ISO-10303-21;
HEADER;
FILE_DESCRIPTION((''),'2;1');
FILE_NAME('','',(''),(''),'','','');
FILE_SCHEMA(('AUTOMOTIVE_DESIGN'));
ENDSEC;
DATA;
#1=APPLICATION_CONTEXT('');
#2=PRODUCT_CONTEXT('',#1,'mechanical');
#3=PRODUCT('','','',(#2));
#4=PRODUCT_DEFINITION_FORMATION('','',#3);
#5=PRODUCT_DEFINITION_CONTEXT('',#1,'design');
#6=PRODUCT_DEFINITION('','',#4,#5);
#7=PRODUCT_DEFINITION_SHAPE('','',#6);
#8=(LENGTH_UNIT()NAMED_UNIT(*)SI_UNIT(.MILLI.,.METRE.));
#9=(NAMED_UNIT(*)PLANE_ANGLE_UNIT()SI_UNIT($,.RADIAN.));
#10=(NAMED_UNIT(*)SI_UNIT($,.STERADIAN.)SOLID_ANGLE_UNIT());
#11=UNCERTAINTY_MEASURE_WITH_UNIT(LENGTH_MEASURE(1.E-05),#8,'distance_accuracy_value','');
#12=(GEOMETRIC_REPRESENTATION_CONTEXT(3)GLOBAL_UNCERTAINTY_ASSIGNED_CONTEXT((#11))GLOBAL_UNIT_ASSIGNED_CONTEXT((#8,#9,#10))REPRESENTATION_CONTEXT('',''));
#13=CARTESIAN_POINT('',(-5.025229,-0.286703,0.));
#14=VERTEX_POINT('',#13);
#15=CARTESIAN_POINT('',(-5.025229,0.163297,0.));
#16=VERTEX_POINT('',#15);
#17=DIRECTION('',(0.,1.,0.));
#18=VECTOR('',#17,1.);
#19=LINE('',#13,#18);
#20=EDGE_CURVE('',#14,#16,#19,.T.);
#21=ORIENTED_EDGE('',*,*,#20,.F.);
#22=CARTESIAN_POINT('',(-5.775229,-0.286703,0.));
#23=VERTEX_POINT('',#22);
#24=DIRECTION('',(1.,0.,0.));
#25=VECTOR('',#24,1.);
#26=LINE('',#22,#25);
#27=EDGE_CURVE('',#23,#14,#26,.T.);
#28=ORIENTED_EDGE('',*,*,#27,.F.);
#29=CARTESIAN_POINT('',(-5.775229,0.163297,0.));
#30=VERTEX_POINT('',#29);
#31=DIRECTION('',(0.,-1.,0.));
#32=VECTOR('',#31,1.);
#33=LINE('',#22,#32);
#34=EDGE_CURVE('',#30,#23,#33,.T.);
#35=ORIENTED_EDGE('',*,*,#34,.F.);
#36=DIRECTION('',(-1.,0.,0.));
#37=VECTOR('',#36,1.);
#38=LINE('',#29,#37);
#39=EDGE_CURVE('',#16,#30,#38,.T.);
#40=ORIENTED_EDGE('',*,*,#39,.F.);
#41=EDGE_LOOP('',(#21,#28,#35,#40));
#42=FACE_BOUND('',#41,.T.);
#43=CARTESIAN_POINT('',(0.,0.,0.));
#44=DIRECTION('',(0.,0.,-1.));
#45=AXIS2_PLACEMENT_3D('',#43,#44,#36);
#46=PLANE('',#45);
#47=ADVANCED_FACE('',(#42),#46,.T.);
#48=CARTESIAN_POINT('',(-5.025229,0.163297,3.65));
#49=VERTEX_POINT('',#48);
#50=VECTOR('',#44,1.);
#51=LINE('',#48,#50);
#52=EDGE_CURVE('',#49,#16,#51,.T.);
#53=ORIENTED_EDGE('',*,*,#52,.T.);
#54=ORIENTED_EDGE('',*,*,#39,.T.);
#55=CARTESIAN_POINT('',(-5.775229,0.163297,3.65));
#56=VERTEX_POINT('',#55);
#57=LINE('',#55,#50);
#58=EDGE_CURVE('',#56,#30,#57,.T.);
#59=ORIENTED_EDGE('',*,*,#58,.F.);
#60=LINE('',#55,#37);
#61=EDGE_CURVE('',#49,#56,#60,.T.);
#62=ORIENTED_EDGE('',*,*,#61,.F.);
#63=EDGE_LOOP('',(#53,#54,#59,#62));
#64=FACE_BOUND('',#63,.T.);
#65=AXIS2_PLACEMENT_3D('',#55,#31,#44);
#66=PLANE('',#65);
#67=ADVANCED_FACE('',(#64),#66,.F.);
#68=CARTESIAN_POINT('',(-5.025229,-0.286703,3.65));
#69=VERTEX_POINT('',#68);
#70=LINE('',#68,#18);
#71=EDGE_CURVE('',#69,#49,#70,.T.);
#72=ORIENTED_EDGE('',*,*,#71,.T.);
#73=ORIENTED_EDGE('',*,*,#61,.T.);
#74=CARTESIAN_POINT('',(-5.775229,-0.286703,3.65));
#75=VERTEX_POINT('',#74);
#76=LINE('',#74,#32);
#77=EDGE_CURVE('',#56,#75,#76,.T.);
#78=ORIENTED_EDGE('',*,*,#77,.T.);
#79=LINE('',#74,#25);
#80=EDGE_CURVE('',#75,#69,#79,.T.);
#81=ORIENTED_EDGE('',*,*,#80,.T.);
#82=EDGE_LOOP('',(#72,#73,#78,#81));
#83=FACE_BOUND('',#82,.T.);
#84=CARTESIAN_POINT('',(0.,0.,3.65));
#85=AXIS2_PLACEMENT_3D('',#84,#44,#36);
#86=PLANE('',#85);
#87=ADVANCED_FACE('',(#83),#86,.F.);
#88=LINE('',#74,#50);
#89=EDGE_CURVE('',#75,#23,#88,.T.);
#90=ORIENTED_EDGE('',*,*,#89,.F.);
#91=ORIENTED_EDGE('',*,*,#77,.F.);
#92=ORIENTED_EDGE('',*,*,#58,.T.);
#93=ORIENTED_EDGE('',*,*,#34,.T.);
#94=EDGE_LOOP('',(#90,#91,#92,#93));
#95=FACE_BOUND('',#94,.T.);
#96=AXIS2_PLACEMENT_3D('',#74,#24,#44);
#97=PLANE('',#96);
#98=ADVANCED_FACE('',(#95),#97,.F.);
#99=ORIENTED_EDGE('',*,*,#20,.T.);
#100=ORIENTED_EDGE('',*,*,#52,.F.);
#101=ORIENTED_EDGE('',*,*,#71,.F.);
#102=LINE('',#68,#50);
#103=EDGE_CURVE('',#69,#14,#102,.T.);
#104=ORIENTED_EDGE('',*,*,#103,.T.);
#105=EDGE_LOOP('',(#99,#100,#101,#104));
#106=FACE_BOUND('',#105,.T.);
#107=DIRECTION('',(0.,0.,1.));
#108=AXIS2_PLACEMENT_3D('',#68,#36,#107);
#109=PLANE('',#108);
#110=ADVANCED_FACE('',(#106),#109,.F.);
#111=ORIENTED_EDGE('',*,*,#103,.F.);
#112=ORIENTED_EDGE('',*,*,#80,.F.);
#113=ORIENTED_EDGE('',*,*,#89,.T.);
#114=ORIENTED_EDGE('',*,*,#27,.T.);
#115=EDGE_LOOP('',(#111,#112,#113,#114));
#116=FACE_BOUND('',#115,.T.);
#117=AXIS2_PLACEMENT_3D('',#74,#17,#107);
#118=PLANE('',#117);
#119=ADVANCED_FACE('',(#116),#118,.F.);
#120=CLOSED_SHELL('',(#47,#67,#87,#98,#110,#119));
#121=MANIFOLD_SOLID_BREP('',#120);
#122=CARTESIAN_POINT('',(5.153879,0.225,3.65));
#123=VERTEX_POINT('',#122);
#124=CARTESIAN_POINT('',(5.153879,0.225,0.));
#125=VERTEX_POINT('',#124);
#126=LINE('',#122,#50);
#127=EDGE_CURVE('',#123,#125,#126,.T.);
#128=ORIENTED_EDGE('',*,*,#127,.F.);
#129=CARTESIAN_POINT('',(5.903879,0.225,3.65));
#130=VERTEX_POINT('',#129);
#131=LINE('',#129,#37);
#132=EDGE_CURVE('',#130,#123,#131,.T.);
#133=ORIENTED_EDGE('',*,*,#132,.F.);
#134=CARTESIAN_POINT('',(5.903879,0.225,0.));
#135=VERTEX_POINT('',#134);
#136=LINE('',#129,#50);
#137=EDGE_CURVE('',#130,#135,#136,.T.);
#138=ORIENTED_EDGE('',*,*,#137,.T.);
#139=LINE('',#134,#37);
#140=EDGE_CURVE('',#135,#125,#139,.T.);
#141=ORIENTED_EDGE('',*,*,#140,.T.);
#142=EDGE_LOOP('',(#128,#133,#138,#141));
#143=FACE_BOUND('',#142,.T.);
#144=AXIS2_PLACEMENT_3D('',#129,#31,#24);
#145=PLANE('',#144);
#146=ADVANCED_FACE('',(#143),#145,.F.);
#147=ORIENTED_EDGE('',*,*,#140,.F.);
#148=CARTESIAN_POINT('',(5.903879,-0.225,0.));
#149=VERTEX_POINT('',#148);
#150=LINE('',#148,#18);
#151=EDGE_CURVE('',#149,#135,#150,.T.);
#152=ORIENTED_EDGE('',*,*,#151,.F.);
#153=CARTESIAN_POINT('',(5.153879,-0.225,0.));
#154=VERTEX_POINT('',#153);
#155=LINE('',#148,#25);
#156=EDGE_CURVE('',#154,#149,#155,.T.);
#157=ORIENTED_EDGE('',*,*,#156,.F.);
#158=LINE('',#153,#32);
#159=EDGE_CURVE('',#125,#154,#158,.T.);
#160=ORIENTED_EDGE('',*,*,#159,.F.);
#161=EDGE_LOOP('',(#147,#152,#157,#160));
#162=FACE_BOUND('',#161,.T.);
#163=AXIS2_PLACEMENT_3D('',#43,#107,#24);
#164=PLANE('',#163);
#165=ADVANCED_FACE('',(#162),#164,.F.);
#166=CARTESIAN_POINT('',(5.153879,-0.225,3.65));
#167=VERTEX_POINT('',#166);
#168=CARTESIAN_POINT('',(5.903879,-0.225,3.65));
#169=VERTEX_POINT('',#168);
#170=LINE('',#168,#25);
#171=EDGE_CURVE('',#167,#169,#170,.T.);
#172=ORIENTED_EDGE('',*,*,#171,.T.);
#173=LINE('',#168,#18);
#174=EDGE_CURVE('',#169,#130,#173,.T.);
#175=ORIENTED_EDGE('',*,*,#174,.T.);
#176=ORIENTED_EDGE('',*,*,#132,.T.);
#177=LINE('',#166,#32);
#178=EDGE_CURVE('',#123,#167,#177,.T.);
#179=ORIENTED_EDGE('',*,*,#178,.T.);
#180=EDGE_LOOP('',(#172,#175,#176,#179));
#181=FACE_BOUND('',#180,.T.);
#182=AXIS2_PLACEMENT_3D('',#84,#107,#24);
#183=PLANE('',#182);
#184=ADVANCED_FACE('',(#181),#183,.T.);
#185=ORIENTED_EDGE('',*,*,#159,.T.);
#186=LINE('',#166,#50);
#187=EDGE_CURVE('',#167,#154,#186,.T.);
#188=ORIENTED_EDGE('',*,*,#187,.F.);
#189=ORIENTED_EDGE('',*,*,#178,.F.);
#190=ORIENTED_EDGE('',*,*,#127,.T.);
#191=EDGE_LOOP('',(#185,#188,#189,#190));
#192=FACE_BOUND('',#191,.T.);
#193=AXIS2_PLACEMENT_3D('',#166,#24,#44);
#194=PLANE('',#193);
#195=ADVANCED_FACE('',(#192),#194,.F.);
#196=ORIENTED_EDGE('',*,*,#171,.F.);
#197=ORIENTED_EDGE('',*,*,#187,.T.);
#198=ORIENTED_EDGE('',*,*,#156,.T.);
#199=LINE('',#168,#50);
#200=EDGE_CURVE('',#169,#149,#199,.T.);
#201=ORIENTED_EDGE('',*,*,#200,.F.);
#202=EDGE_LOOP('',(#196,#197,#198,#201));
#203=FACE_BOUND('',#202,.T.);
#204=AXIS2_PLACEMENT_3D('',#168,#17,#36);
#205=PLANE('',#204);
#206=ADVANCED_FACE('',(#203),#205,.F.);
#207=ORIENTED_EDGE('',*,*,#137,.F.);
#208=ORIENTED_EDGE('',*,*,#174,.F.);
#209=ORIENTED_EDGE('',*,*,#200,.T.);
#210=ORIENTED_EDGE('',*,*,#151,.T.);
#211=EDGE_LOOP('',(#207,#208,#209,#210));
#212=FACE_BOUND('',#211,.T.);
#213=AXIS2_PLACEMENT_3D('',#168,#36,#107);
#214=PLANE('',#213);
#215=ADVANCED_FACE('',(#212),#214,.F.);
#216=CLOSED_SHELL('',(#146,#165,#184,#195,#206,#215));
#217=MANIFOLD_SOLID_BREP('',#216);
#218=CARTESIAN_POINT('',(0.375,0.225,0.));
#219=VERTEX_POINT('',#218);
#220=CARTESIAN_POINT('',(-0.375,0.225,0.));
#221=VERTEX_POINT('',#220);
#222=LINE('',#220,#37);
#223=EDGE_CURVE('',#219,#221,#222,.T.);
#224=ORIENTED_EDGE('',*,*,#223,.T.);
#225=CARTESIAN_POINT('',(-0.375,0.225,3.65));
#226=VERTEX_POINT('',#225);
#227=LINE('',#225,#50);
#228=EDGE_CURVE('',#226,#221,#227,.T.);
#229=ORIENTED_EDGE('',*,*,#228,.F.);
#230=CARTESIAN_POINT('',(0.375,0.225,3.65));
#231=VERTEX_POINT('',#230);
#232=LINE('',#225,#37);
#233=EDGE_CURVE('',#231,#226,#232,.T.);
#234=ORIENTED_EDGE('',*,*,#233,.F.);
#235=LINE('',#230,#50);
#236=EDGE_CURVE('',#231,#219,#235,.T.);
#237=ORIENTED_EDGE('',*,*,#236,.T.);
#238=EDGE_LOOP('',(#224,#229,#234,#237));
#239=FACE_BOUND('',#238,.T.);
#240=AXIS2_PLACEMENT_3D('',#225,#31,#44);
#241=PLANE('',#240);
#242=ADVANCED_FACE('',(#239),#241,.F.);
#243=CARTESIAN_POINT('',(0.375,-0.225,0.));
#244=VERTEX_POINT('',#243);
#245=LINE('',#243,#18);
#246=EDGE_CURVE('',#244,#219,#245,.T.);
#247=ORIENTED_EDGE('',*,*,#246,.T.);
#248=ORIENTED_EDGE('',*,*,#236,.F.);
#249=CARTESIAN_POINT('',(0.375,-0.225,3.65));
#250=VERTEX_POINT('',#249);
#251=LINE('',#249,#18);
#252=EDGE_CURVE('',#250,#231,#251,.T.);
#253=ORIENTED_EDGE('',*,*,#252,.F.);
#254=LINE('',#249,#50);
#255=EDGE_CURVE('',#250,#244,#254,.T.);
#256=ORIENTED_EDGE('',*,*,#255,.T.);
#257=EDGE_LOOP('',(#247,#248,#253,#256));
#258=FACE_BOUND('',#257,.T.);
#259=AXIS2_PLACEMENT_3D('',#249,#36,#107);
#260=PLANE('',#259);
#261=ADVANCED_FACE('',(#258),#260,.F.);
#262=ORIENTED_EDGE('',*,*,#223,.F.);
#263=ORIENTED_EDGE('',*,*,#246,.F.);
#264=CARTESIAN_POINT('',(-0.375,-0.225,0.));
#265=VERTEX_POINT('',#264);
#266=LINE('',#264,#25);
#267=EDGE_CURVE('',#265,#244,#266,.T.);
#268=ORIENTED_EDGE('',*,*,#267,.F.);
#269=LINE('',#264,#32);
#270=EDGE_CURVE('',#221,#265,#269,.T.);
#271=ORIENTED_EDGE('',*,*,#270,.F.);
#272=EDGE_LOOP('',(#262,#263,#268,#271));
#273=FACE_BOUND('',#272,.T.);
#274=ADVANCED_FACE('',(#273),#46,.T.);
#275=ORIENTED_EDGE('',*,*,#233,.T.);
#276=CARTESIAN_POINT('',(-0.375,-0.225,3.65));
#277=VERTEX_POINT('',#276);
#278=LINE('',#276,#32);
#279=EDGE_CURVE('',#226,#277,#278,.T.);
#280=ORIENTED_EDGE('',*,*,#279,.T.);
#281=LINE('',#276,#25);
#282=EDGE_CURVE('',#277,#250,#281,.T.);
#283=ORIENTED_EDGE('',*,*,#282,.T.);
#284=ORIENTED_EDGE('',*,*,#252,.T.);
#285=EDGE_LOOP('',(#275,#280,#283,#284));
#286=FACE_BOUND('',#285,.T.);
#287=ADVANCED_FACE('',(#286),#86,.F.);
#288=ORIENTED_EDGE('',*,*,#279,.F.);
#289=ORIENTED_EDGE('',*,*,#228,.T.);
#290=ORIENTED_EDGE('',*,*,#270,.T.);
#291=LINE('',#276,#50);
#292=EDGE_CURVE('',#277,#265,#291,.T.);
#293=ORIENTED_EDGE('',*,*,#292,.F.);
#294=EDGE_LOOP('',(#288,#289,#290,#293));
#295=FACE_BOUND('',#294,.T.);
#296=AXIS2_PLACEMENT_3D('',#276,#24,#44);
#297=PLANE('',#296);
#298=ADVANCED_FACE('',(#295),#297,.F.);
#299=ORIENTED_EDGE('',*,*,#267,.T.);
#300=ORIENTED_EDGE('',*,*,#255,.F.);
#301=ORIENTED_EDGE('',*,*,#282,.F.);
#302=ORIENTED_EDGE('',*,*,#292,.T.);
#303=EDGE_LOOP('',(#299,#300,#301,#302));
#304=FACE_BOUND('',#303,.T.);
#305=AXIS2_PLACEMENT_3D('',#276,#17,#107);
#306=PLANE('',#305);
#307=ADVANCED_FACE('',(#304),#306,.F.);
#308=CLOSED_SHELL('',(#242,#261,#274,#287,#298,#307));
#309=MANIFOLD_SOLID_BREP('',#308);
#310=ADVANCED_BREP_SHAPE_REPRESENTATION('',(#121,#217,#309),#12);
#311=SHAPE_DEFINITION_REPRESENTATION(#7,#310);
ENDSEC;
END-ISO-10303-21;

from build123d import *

# Parameters (mm, degrees)
CROQUIS1_W                = 0.75
CROQUIS1_H                = 0.45
SALIENTE_EXTRUIR1_DEPTH   = 3.65
SALIENTE_EXTRUIR1_2_DEPTH = 3.65
SALIENTE_EXTRUIR1_3_DEPTH = 3.65


with BuildPart() as part:
    # Croquis1 → Saliente-Extruir1 (new body)
    with BuildSketch(Plane.XY):
        with Locations((-5.400229137, -0.061703165)):
            Rectangle(CROQUIS1_W, CROQUIS1_H)
    extrude(amount=SALIENTE_EXTRUIR1_DEPTH)


with BuildPart() as body_2:
    # Croquis1 → Saliente-Extruir1 2 (new body)
    with BuildSketch(Plane.XY):
        Rectangle(CROQUIS1_W, CROQUIS1_H)
    extrude(amount=SALIENTE_EXTRUIR1_2_DEPTH)


with BuildPart() as body_3:
    # Croquis1 → Saliente-Extruir1 3 (new body)
    with BuildSketch(Plane.XY):
        with Locations((5.528878755, 0)):
            Rectangle(CROQUIS1_W, CROQUIS1_H)
    extrude(amount=SALIENTE_EXTRUIR1_3_DEPTH)


solid = Compound([part.part, body_2.part, body_3.part])
